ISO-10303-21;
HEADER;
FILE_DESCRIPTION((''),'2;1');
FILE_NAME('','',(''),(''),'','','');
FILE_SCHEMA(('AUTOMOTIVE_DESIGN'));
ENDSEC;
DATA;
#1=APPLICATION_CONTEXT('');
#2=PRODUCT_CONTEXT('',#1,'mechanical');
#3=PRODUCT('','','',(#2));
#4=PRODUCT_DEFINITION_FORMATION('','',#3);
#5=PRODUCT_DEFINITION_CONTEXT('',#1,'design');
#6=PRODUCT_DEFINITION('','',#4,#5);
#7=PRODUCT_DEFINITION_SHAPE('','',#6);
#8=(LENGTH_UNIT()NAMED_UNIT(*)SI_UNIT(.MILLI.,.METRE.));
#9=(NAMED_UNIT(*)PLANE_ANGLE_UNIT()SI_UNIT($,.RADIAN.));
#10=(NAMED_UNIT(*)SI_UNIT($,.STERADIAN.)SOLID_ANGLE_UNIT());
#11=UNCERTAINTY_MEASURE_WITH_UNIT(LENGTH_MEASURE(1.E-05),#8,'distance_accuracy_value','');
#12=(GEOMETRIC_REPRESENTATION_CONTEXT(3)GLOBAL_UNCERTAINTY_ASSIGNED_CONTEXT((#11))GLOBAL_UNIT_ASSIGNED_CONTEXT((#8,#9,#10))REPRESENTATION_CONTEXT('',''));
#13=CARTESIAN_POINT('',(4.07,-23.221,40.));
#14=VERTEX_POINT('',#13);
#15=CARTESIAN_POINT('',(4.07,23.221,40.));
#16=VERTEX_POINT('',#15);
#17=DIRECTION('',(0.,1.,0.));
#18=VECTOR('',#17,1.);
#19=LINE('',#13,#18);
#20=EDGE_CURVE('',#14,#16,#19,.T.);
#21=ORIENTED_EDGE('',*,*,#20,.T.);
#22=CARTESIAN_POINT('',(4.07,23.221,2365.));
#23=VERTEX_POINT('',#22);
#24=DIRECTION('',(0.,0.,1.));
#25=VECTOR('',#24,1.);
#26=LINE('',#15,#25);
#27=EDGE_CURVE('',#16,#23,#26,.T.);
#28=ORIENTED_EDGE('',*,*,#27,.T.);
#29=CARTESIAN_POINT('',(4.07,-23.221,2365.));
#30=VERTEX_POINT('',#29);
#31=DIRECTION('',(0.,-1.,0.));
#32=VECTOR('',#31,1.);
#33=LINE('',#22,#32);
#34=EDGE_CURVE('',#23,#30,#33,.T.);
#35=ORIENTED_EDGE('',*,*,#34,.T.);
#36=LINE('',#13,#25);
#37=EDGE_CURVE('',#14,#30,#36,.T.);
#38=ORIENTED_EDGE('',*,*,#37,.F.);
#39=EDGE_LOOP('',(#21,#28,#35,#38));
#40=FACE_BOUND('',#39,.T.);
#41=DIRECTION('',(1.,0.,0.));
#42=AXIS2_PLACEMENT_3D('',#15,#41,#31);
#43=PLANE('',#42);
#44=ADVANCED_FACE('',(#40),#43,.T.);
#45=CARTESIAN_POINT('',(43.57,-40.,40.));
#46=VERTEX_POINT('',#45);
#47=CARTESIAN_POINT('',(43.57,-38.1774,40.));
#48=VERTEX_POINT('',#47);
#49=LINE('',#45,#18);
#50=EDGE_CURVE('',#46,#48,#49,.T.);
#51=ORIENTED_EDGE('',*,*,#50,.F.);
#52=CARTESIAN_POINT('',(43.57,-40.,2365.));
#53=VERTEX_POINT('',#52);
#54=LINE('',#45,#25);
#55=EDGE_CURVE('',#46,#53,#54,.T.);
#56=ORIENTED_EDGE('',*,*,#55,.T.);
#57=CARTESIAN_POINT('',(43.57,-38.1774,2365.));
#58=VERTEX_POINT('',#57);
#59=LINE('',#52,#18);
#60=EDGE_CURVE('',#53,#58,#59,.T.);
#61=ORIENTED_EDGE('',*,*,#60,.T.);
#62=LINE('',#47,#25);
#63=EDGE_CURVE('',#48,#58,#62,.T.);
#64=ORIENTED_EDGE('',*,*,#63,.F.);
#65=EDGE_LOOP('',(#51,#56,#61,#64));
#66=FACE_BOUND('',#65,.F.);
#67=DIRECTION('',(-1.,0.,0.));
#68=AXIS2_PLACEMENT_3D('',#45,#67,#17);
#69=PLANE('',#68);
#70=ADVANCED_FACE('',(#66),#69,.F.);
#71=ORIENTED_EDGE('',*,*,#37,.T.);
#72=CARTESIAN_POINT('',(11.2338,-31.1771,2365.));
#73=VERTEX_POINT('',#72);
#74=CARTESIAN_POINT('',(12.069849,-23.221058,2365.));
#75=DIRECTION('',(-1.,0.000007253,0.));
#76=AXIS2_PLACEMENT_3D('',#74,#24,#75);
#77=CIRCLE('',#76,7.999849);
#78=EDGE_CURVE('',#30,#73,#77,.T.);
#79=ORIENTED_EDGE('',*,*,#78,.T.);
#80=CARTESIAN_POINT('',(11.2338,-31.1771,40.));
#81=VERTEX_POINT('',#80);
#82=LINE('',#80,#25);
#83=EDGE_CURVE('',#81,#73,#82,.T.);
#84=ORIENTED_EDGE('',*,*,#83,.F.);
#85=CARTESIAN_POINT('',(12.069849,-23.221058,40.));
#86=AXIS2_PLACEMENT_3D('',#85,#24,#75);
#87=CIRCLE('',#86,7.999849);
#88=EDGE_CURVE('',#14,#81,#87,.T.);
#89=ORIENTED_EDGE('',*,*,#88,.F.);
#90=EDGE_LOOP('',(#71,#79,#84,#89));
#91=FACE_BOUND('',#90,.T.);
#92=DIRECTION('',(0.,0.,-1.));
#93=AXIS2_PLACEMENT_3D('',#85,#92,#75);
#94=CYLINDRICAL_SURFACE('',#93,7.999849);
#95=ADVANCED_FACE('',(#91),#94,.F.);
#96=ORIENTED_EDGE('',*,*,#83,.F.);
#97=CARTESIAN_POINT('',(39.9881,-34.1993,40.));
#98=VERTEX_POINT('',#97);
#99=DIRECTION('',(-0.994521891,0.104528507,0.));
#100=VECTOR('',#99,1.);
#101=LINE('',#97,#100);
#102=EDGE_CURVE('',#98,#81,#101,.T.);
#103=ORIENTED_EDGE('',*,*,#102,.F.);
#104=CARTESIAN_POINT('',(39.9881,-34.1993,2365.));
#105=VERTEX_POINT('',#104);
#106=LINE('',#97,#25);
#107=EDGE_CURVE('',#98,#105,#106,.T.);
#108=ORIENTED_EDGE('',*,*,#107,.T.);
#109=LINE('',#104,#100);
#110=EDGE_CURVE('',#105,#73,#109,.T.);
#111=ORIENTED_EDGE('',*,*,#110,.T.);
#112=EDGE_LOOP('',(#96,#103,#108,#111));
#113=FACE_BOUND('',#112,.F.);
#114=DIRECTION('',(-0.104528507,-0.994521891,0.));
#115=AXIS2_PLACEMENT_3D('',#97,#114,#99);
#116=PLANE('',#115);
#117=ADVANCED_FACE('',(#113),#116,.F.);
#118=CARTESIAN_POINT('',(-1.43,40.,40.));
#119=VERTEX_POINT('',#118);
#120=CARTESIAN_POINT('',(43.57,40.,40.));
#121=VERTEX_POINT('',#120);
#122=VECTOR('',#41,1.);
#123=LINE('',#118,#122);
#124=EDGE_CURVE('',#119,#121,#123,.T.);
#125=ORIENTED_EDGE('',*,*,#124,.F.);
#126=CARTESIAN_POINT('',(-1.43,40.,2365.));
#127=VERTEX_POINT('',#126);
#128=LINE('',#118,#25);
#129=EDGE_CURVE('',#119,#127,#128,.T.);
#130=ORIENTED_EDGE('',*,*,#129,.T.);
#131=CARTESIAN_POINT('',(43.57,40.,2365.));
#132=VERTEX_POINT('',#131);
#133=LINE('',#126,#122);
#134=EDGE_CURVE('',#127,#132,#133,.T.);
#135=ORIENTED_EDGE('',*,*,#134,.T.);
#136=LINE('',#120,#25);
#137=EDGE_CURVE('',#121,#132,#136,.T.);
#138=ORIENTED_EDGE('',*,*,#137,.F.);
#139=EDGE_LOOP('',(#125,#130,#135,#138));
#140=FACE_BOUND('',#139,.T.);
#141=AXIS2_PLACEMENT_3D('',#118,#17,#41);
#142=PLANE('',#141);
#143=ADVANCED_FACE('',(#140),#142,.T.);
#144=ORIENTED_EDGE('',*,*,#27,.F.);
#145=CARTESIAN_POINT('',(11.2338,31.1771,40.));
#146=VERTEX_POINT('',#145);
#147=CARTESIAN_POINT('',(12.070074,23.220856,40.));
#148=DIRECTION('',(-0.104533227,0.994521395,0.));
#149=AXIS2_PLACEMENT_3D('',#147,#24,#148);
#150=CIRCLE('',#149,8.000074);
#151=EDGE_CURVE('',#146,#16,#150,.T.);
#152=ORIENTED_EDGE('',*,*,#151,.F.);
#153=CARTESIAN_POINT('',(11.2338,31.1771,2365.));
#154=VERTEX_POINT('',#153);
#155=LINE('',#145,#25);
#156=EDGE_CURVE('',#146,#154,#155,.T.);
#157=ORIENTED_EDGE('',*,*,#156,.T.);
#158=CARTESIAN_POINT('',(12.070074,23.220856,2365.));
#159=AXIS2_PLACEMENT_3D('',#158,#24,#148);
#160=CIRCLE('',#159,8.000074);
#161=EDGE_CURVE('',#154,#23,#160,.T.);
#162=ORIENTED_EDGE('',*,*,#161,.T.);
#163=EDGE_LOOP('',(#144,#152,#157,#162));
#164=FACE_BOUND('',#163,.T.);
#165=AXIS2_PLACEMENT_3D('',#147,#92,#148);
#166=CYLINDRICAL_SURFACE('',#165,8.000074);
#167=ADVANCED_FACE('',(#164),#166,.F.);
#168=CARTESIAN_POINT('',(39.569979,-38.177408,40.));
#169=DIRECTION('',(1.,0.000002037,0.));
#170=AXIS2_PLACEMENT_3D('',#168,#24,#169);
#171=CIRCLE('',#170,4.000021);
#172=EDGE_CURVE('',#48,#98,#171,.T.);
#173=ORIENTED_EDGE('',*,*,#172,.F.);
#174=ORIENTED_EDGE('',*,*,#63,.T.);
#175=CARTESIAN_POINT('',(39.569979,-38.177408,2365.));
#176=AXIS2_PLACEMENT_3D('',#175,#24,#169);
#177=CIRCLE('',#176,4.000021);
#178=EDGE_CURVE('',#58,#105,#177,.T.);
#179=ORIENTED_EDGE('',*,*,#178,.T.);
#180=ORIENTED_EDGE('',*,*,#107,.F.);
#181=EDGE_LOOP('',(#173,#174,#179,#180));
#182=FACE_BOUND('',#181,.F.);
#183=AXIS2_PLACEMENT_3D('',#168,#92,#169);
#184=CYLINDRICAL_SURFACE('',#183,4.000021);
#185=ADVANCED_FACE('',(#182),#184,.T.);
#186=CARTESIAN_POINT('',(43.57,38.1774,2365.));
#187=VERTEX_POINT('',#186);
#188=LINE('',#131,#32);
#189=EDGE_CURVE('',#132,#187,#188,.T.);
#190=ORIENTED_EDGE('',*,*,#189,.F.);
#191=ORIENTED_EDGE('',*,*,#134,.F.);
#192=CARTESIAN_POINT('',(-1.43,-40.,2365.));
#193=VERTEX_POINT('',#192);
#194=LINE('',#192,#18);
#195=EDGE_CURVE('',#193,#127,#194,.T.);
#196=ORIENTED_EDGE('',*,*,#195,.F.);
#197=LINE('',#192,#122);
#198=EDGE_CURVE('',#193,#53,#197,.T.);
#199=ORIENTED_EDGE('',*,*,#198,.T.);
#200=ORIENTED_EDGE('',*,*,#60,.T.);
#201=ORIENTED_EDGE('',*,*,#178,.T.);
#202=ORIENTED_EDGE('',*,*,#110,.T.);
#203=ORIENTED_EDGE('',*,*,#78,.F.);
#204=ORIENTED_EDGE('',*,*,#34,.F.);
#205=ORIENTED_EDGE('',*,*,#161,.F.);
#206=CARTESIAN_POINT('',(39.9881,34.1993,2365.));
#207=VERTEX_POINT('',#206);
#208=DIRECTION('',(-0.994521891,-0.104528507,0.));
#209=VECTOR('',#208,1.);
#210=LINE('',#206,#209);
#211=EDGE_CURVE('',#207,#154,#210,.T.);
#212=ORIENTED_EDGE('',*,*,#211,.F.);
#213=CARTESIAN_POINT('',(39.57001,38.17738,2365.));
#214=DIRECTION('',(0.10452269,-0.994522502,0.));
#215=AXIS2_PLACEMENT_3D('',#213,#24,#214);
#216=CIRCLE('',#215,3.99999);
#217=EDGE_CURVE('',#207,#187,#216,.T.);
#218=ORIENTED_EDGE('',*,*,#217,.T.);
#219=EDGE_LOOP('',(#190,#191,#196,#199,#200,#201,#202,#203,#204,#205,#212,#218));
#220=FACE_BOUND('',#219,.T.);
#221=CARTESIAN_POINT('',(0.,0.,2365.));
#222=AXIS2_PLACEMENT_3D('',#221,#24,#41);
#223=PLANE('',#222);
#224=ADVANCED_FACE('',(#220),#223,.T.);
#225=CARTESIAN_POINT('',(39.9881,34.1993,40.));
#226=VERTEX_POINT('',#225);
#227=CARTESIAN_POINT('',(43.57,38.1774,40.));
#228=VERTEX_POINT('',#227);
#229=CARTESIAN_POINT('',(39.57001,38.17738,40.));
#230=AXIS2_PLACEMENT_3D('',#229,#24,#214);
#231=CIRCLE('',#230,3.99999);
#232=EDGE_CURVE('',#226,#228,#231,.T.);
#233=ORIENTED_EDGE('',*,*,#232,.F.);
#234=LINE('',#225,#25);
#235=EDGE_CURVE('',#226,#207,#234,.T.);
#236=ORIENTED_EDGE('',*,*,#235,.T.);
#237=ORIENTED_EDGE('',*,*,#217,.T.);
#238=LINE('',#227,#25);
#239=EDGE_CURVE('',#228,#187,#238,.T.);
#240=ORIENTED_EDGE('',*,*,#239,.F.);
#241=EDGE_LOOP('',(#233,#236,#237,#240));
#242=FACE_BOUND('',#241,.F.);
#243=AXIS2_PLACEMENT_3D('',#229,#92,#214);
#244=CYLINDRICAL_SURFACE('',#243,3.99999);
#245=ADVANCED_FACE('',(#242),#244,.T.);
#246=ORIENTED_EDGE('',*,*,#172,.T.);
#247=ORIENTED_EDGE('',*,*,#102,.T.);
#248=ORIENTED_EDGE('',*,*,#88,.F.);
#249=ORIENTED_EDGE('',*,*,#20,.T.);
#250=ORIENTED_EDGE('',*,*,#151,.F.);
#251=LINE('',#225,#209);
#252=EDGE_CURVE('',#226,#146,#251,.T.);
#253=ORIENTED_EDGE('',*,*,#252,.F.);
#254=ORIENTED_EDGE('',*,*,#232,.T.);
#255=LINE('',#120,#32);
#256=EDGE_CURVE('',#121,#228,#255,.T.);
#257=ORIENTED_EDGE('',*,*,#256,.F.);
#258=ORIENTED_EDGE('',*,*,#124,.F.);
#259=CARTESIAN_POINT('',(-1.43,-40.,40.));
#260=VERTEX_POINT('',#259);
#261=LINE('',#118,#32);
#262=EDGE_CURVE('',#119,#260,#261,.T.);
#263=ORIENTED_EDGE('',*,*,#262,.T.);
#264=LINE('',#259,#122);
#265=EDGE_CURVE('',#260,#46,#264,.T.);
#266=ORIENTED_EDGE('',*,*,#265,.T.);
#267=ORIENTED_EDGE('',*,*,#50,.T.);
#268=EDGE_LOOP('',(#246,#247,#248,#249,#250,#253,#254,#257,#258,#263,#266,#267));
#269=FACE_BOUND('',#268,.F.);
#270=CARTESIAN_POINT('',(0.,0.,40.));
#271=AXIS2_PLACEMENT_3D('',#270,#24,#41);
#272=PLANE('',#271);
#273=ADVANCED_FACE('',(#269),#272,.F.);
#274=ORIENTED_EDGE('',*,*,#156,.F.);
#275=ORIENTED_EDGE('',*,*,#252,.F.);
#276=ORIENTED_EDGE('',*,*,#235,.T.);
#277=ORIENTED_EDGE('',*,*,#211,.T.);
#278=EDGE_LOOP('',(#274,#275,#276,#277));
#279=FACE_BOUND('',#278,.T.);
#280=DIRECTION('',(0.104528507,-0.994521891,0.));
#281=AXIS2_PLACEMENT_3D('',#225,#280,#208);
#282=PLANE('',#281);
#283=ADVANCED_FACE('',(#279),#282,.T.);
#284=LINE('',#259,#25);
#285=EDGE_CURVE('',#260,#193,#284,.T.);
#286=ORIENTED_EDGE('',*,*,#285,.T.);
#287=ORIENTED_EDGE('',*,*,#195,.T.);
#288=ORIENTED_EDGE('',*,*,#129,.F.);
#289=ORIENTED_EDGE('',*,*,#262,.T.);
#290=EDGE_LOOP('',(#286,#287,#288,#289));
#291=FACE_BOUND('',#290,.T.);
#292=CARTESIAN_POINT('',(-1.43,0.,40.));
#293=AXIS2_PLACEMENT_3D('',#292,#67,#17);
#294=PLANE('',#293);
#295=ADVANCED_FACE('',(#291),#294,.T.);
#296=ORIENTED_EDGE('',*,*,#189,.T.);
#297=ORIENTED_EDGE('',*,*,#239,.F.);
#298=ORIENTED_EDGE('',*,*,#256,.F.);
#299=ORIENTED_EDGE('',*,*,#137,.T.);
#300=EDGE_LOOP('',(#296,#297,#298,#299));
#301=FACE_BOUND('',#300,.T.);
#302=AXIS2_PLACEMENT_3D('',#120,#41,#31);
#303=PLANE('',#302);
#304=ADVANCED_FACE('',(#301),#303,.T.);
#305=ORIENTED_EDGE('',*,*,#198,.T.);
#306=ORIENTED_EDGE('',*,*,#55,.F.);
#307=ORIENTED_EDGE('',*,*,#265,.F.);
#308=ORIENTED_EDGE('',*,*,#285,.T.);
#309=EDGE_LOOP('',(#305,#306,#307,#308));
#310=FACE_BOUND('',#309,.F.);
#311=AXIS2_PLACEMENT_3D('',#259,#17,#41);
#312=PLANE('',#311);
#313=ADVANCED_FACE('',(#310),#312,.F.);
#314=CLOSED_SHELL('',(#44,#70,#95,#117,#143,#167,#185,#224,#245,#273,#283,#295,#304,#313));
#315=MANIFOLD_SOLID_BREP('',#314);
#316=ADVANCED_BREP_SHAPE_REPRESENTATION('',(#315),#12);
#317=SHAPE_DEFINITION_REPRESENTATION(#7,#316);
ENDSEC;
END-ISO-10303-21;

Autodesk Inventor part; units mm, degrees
ref_plane "Начальная плоскость" through (0, 0, 40) normal (0, 0, 1) x (1, 0, 0)
ref_plane "Конечная плоскость" through (0, 0, 2365) normal (0, 0, 1) x (1, 0, 0)
sketch "Эскиз" plane through (0, 0, 0) normal (0, 0, 1) x (1, 0, 0)
  line L0 (-1.43, 0) -> (-1.43, 40)
  line L1 (-1.43, 40) -> (43.57, 40)
  line L2 (43.57, 40) -> (43.57, 38.1774)
  line L3 (39.9881, 34.1993) -> (11.2338, 31.1771)
  line L4 (4.07, 23.221) -> (4.07, 0)
  line L5 (4.07, 0) -> (-1.43, 0) construction
  line L6 (23.82, 40) -> (23.82, 32.5) construction
  line L7 (43.57, 34.5758) -> (43.57, 32.5) construction
  line L8 (43.57, 32.5) -> (23.82, 32.5) construction
  line L9 (0, 15) -> (0, -27) construction
  line L10 (-5.539, 0) -> (16.0067, 0) construction
  line L11 (-1.43, 0) -> (-1.43, -40)
  line L12 (-1.43, -40) -> (43.57, -40)
  line L13 (43.57, -40) -> (43.57, -38.1774)
  line L14 (39.9881, -34.1993) -> (11.2338, -31.1771)
  line L15 (4.07, -23.221) -> (4.07, 0)
  arc A0 (11.2338, 31.1771) -> (4.07, 23.221) centre (12.07, 23.221) ccw
  arc A1 (4.07, -23.221) -> (11.2338, -31.1771) centre (12.07, -23.221) ccw
  arc A2 (39.9881, 34.1993) -> (43.57, 38.1774) centre (39.57, 38.1774) ccw
  arc A3 (43.57, -38.1774) -> (39.9881, -34.1993) centre (39.57, -38.1774) ccw
  line L16 (0, 56) -> (0, -56) construction
  line L17 (-15.5135, 0) -> (54.308, 0) construction
  point P0 (4.07, 30.4242)
  point P1 (43.57, -34.5758)
  point P2 (4.07, -30.4242)
  point P3 (23.82, -40)
  point P4 (23.82, -32.5)
  dimension "d0" = 5.5
  dimension "d1" = 40
  dimension "d2" = 45
  dimension "d3" = 7.5
  dimension "d4" = 19.75
  dimension "d5" = 2.0758
  dimension "d23" = 8
  dimension "d24" = 4
  dimension "d25" = 1.43
extrude "Тело" add sketch "Эскиз" along normal up to surface (2325 mm away) from surface at 40
sketch "Sketch3" plane through (0, 0, 0) normal (0, 0, 1) x (1, 0, 0)
  line L0 (0, 0) -> (10, 0)
ref_plane "Work Plane3" through (0, 0, 0) normal (0, -1, 0) x (1, 0, 0)
sketch "Sketch4" plane through (0, 0, 0) normal (0, -1, 0) x (1, 0, 0)
  line L0 (-2, 40) -> (12, 40)
  line L1 (-2, 2365) -> (12, 2365)
  dimension "d29" = 2325
ref_plane "РабПлоскость4" through (-1.43, -300, 2365) normal (0, 0, 1) x (1, 0, 0)
split "Разделение1" plane through (-1.43, -300, 2365) removes the side toward (0, 0, 1)
ref_plane "РабПлоскость5" through (-1.43, 1420, 40) normal (0, 0, -1) x (-1, 0, 0)
split "Разделение2" plane through (-1.43, 1420, 40) removes the side toward (0, 0, -1)
equation "\"d0\" = G_T"
equation "\"d1\" = 0.5 * G_H"
equation "\"d2\" = G_W"
equation "\"d3\" = G_T1"
equation "\"d4\" = G_C"
equation "\"d23\" = G_IR"
equation "\"d24\" = G_ER"
equation "\"d25\" = ex"
equation "\"d6\" = G_L"
equation "\"G_W\" = 45"
equation "\"G_T\" = 5.5"
equation "\"G_T1\" = 7.5"
equation "\"G_NG\" = 0.105104"
equation "\"G_ER\" = 4"
equation "\"G_IR\" = 8"
equation "\"G_C\" = 19.75"
equation "\"G_L\" = d29"
equation "\"ex\" = 1.43"
equation "\"d27\" = G_OFFSET_END + B_L"
equation "\"B_L\" = 2405"
equation "\"G_H\" = 80"
equation "\"G_OFFSET_END\" = -40"
properties part number "ISO 657/11 - CH 80 x 8 - 2325" material "Сталь, мягкая"
